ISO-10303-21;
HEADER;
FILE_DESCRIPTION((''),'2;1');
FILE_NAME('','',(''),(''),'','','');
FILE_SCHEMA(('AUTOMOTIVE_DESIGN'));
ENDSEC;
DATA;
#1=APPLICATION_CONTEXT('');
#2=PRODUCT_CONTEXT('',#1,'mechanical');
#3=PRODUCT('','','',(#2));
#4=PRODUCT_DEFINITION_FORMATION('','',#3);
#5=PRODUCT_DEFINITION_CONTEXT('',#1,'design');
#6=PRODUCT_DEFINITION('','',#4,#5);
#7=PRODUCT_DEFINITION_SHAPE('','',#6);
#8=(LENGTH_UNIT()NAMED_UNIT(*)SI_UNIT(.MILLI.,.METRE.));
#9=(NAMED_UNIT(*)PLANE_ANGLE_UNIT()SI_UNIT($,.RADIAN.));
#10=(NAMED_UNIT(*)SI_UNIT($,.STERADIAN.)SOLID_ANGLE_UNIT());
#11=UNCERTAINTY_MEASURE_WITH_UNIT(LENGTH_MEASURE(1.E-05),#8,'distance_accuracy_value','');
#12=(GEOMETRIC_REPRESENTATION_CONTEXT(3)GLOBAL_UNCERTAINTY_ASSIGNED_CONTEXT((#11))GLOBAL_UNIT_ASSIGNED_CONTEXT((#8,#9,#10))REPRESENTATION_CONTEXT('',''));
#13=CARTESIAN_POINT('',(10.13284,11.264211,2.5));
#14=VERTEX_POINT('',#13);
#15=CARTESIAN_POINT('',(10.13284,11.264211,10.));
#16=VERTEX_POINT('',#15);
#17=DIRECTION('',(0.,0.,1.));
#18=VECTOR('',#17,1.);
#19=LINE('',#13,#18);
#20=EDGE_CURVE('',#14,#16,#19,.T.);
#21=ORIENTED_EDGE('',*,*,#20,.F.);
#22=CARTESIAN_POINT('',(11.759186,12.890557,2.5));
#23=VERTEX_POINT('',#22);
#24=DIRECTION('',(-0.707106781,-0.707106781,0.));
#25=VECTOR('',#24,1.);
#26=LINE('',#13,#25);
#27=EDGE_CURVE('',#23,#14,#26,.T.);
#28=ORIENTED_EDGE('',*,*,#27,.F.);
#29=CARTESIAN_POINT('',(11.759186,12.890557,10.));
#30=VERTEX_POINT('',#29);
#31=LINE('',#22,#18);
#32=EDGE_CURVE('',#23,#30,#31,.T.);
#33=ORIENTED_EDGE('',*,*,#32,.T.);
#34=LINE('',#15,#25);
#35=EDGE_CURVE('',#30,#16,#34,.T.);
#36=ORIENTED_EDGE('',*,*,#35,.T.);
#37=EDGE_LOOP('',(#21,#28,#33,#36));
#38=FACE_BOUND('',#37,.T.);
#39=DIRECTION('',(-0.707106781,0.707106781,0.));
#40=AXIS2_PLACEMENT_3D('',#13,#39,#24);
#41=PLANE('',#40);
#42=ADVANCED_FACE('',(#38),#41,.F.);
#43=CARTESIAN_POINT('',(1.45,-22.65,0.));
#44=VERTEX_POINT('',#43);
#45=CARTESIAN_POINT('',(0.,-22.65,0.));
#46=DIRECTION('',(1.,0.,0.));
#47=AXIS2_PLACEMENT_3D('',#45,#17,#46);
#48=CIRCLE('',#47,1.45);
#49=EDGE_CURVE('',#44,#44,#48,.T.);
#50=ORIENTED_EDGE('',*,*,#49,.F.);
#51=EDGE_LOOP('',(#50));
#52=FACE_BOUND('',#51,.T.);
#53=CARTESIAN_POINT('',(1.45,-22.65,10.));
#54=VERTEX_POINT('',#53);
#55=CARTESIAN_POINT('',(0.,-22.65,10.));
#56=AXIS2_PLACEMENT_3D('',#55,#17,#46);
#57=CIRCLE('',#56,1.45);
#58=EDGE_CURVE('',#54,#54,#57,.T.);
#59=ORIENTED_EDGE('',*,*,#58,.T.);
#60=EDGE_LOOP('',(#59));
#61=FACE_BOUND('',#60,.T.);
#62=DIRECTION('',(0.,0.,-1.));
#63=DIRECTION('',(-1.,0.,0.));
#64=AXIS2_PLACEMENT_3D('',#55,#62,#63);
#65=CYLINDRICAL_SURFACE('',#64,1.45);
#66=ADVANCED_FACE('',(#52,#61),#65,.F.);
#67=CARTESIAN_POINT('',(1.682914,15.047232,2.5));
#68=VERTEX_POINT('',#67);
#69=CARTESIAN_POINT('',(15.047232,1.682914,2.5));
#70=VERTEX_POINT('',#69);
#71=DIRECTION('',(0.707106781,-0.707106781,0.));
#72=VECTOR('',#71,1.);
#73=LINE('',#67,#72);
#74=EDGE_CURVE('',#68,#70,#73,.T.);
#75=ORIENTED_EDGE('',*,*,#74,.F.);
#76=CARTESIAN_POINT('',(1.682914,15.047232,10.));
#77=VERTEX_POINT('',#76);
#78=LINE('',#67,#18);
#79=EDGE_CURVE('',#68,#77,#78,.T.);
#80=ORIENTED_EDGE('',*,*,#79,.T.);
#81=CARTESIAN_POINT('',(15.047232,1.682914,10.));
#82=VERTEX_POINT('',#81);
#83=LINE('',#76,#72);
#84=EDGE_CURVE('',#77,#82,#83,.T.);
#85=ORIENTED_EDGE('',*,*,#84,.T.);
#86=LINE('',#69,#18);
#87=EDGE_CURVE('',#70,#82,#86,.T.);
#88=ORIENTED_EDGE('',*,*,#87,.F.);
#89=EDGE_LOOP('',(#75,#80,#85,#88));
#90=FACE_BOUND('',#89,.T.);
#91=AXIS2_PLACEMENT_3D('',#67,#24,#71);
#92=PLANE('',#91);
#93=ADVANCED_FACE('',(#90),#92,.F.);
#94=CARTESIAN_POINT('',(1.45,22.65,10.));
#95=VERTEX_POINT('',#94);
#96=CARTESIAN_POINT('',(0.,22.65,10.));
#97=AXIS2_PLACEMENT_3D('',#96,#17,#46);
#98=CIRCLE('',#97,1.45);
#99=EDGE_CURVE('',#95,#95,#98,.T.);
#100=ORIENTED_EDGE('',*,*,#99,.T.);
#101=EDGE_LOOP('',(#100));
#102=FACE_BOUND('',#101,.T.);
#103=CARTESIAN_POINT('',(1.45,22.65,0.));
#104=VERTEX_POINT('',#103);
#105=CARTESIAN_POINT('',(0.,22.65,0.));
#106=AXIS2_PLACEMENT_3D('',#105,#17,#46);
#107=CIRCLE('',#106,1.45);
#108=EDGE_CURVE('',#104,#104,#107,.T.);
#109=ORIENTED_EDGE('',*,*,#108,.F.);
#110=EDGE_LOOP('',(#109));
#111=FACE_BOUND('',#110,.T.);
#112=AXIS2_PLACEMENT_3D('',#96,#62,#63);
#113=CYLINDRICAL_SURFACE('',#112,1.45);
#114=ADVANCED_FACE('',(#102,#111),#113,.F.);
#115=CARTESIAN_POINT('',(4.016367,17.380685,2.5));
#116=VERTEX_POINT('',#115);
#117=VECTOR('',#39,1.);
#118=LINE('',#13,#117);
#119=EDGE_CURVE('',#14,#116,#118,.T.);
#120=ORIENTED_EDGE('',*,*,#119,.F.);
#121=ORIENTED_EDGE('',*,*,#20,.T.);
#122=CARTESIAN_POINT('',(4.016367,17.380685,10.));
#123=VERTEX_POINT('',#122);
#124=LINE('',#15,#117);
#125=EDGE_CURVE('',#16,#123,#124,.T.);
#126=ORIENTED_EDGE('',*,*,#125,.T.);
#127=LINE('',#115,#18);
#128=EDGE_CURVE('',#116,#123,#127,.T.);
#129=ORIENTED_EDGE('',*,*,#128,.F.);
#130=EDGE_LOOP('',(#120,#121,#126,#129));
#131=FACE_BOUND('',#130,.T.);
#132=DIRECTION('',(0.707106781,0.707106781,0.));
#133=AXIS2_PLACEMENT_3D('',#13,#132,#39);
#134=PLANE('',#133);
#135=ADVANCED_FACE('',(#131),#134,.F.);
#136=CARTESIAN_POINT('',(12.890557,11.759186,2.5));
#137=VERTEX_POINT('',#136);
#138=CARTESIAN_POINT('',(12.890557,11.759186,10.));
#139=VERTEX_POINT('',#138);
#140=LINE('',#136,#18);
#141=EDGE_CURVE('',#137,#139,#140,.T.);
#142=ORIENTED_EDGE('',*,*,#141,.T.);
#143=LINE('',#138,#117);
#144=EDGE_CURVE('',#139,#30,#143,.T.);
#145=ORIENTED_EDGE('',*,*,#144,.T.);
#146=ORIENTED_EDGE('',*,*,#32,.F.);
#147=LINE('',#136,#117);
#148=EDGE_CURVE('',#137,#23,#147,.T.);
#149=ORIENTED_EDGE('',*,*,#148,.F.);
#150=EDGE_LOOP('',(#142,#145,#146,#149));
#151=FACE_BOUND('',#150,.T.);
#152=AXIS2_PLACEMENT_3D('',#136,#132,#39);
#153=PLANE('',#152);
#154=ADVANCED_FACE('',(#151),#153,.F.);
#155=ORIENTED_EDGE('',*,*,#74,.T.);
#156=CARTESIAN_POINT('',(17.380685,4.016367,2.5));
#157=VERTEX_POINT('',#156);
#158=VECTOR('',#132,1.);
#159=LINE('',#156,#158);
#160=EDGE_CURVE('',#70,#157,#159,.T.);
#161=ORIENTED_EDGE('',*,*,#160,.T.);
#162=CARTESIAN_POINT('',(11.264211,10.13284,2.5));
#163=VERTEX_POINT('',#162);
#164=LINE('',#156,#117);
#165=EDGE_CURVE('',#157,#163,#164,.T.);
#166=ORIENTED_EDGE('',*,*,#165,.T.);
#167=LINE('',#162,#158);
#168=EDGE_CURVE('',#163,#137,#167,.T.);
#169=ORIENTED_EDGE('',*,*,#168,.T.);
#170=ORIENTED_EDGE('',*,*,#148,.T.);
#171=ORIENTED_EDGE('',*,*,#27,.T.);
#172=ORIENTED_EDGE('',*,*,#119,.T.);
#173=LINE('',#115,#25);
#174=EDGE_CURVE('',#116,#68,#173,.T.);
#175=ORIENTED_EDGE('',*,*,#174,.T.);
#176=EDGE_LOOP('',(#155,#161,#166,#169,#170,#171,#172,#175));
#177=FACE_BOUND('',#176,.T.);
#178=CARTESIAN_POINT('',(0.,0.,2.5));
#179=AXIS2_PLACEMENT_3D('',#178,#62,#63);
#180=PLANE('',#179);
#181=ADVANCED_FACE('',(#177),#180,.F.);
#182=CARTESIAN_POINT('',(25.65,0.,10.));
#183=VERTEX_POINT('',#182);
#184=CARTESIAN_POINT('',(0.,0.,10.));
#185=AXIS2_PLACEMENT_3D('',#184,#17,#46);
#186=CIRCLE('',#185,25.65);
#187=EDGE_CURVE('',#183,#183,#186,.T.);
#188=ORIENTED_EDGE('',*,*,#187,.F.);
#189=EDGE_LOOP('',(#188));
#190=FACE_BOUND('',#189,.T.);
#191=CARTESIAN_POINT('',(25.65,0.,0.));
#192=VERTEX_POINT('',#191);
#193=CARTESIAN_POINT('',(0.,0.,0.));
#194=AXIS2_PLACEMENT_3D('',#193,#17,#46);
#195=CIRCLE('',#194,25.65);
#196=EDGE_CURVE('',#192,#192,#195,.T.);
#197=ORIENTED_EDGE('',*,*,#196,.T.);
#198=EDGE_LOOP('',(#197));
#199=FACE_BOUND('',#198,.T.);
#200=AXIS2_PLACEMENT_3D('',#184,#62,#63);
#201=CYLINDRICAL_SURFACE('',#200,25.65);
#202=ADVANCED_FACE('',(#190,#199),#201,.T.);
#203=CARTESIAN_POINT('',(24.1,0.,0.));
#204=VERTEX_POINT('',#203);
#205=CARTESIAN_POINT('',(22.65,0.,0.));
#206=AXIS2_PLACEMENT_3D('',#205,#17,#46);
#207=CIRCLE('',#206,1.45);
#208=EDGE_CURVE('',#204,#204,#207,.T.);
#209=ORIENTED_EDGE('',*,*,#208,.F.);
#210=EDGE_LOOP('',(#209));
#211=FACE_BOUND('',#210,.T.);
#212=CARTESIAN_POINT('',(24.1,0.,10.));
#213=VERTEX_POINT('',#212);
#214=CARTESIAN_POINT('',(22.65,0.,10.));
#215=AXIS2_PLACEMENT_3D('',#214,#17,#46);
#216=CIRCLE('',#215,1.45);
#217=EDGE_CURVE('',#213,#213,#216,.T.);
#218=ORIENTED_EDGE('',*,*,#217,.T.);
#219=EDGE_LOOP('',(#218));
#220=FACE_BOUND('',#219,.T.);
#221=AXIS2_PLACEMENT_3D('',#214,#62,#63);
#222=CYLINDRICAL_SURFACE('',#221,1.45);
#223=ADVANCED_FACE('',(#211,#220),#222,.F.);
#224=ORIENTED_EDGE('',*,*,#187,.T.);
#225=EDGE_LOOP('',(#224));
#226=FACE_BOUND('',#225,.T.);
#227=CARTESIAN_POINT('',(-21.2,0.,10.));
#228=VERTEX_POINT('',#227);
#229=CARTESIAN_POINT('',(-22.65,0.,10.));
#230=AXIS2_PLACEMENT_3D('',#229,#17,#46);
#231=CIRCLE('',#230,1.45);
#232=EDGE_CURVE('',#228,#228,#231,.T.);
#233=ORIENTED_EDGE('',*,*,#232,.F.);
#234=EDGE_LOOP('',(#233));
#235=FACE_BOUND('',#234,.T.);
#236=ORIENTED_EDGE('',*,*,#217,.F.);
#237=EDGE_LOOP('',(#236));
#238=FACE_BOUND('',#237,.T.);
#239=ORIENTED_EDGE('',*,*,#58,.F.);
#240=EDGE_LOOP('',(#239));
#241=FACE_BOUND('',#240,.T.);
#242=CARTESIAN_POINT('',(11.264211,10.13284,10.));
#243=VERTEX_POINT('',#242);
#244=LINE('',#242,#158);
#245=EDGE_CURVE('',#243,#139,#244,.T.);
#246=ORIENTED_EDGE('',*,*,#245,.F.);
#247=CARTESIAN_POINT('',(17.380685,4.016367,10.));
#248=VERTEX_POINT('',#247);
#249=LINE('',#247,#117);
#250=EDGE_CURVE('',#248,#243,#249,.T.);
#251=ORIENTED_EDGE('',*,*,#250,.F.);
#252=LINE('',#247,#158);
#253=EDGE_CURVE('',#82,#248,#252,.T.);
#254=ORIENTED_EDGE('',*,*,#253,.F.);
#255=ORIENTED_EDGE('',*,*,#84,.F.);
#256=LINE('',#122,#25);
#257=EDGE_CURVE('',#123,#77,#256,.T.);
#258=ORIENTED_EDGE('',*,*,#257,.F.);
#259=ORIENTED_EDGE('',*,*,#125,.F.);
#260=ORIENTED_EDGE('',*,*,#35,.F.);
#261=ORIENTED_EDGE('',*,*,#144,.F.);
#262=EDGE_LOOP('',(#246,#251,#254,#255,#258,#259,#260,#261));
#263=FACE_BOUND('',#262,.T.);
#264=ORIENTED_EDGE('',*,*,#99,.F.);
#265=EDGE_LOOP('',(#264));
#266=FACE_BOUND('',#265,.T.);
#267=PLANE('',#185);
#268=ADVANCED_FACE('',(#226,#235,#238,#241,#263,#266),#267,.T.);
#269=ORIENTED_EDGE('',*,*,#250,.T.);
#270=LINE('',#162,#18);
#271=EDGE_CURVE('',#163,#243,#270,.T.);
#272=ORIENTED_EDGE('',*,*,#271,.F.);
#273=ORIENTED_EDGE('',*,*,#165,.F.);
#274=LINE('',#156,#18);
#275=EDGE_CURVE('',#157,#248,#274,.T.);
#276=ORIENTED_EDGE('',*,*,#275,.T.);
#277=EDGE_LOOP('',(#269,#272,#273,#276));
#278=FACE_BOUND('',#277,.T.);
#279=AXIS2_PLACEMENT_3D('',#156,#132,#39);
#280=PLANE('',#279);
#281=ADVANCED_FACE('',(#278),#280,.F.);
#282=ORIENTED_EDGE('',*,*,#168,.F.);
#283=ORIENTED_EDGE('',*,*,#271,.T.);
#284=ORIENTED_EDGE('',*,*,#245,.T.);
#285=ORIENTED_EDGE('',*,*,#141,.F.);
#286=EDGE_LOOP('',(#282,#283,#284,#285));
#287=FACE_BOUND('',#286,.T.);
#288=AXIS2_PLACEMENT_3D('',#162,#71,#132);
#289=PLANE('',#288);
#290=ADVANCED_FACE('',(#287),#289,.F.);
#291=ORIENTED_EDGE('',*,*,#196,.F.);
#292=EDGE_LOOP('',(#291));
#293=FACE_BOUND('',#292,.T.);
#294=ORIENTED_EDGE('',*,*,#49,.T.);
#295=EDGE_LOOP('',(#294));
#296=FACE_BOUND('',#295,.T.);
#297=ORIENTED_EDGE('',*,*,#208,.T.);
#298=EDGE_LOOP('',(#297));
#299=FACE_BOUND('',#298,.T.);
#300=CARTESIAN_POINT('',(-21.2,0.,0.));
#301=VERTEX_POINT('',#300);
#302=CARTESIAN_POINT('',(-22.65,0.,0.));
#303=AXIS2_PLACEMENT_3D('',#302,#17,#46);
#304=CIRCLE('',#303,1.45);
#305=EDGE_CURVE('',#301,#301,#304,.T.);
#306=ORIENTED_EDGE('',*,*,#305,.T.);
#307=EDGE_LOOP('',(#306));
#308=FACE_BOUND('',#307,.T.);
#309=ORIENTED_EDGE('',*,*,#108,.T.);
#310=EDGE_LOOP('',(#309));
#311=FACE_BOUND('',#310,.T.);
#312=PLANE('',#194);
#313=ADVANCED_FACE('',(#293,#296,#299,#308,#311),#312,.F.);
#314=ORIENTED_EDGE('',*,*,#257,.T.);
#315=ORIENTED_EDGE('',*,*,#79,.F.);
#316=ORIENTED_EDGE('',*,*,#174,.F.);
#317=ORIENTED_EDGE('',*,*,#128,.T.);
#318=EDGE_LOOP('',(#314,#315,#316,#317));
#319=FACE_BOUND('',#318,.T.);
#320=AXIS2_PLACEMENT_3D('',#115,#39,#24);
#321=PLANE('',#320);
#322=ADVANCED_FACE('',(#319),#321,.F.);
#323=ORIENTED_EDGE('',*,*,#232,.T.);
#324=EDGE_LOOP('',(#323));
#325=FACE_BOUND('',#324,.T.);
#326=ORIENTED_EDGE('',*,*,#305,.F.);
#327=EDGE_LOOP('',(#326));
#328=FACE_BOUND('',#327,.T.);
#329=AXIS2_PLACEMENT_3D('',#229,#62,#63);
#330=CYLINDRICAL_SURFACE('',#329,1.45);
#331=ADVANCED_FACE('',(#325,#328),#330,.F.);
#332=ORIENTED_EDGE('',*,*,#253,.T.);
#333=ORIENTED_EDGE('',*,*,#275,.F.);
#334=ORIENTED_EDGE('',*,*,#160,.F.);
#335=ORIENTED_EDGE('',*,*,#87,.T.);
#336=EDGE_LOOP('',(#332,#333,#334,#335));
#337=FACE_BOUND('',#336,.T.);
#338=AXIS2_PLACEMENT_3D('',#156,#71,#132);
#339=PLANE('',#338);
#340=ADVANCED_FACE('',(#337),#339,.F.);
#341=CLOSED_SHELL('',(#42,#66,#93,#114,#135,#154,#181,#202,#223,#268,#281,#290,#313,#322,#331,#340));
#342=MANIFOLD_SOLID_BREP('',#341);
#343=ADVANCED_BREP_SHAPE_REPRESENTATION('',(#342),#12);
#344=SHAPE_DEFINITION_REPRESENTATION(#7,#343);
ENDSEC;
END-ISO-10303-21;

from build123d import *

# Parameters (mm, degrees)
SKETCH1_R           = 25.65
SKETCH1_R_2         = 1.45
BOSS_EXTRUDE1_DEPTH = 10
CUT_EXTRUDE1_DEPTH  = 7.5


with BuildPart() as part:
    # Sketch1 → Boss-Extrude1 (new body)
    with BuildSketch(Plane.XY):
        Circle(SKETCH1_R)
        with Locations((0, -22.65)):
            Circle(SKETCH1_R_2, mode=Mode.SUBTRACT)
        with Locations((22.65, 0)):
            Circle(SKETCH1_R_2, mode=Mode.SUBTRACT)
        with Locations((0, 22.65)):
            Circle(SKETCH1_R_2, mode=Mode.SUBTRACT)
        with Locations((-22.65, 0)):
            Circle(SKETCH1_R_2, mode=Mode.SUBTRACT)
    extrude(amount=BOSS_EXTRUDE1_DEPTH)

    # Sketch2 → Cut-Extrude1 (cut)
    with BuildSketch(Plane.XY.offset(10)):
        Polygon((1.682914139, 15.047232304), (15.047232304, 1.682914139), (17.380684682, 4.016366517), (11.264211024, 10.132840174), (12.890556621, 11.759185771), (11.759185771, 12.890556621), (10.132840174, 11.264211024), (4.016366517, 17.380684682), align=None)
    extrude(amount=-CUT_EXTRUDE1_DEPTH, mode=Mode.SUBTRACT)


solid = part.part
